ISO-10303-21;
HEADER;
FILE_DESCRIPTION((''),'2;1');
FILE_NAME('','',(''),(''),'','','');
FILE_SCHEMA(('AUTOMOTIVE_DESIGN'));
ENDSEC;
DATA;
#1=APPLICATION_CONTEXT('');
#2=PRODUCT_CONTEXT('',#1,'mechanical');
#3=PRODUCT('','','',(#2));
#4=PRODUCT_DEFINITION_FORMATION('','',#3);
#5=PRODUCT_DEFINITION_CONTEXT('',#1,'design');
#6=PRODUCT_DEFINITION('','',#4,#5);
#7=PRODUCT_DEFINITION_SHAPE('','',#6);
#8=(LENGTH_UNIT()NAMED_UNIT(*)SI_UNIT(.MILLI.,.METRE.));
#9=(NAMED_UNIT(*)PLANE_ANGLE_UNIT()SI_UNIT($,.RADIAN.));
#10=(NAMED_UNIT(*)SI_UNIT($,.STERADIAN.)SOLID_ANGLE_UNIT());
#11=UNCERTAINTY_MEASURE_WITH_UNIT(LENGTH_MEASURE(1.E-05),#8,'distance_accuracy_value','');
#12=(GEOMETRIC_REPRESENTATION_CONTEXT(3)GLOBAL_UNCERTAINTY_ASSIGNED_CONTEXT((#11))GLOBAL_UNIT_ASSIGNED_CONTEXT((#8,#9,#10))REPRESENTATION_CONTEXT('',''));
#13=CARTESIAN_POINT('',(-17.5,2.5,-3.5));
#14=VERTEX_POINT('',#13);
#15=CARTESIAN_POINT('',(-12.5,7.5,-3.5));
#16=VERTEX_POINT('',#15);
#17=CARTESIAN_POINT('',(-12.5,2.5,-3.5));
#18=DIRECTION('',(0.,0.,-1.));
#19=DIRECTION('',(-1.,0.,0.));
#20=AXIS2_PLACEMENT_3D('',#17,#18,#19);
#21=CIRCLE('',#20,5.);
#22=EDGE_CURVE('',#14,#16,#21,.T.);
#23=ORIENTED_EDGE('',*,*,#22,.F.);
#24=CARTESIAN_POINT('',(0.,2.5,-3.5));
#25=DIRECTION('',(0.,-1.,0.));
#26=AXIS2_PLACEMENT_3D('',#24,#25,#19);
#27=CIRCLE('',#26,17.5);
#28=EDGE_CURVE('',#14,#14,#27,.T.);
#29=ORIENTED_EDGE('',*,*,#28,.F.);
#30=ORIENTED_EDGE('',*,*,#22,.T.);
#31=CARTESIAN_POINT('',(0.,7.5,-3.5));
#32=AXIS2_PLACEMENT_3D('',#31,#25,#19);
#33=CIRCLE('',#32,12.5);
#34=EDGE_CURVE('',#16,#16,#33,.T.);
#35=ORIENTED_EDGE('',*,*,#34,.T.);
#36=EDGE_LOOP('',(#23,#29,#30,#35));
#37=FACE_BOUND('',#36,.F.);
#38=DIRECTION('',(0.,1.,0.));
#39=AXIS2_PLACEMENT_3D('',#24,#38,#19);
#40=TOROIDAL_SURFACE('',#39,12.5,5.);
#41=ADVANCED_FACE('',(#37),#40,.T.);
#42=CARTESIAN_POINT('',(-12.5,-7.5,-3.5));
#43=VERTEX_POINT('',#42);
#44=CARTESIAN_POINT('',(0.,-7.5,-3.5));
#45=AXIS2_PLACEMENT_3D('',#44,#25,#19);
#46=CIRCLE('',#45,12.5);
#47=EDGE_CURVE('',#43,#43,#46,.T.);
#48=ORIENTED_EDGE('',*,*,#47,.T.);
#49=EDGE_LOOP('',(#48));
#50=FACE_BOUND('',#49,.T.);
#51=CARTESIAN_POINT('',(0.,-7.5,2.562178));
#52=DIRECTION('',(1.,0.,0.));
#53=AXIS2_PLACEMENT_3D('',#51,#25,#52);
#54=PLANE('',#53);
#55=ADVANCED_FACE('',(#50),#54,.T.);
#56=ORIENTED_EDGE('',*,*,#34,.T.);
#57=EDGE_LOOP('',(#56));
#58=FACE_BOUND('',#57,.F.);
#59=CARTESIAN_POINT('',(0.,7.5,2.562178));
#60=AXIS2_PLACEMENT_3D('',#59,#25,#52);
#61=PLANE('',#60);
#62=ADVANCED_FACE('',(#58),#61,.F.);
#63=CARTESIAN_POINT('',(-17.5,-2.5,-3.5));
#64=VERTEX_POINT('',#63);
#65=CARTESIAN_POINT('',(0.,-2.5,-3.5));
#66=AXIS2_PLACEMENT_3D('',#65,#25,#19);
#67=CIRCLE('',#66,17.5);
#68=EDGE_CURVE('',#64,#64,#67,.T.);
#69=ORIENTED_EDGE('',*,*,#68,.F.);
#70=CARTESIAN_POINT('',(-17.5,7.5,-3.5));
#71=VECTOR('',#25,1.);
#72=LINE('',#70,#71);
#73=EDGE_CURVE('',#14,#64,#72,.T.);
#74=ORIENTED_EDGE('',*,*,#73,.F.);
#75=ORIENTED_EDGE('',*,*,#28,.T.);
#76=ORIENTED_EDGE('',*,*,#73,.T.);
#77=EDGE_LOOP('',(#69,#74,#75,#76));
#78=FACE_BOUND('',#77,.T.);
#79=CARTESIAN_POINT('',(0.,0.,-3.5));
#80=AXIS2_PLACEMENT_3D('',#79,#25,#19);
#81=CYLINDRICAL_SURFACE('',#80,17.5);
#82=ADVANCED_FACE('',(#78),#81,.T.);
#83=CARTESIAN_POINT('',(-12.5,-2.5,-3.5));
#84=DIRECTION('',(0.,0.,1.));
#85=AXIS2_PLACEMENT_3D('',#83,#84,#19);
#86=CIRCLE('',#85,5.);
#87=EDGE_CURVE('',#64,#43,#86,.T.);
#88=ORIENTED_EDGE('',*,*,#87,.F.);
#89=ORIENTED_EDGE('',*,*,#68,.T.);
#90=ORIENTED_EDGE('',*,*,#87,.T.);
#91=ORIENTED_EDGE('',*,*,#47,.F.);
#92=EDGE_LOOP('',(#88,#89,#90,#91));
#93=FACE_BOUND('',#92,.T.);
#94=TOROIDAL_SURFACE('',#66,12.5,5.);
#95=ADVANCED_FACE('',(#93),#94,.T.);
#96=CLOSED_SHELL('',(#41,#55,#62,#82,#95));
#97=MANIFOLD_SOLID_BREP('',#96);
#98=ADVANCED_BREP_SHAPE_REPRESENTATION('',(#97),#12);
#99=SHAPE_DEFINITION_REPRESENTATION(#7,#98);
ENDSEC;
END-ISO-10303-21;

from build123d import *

# Parameters (mm, degrees)
F1_DEPTH = 7.5
F2_R     = 5


with BuildPart() as f1:
    # F0 (on Front) → F1 (new body, symmetric)
    with BuildSketch(Plane.XZ):
        with BuildLine():
            Line((-17.5, -3.5), (17.5, -3.5))
            ThreePointArc((17.5, -3.5), (0, 14), (-17.5, -3.5))
        make_face()
        with BuildLine():
            ThreePointArc((-17.5, -3.5), (0, -21), (17.5, -3.5))
            Line((17.5, -3.5), (-17.5, -3.5))
        make_face()
    extrude(amount=F1_DEPTH, both=True)

    # F2
    f2_edges = [f1.edges().sort_by_distance(p)[0] for p in [
        (17.5, 7.5, -3.5),
        (-17.5, 0, -3.5),
        (17.5, -7.5, -3.5),
    ]]
    fillet(f2_edges, radius=F2_R)


solid = f1.part
